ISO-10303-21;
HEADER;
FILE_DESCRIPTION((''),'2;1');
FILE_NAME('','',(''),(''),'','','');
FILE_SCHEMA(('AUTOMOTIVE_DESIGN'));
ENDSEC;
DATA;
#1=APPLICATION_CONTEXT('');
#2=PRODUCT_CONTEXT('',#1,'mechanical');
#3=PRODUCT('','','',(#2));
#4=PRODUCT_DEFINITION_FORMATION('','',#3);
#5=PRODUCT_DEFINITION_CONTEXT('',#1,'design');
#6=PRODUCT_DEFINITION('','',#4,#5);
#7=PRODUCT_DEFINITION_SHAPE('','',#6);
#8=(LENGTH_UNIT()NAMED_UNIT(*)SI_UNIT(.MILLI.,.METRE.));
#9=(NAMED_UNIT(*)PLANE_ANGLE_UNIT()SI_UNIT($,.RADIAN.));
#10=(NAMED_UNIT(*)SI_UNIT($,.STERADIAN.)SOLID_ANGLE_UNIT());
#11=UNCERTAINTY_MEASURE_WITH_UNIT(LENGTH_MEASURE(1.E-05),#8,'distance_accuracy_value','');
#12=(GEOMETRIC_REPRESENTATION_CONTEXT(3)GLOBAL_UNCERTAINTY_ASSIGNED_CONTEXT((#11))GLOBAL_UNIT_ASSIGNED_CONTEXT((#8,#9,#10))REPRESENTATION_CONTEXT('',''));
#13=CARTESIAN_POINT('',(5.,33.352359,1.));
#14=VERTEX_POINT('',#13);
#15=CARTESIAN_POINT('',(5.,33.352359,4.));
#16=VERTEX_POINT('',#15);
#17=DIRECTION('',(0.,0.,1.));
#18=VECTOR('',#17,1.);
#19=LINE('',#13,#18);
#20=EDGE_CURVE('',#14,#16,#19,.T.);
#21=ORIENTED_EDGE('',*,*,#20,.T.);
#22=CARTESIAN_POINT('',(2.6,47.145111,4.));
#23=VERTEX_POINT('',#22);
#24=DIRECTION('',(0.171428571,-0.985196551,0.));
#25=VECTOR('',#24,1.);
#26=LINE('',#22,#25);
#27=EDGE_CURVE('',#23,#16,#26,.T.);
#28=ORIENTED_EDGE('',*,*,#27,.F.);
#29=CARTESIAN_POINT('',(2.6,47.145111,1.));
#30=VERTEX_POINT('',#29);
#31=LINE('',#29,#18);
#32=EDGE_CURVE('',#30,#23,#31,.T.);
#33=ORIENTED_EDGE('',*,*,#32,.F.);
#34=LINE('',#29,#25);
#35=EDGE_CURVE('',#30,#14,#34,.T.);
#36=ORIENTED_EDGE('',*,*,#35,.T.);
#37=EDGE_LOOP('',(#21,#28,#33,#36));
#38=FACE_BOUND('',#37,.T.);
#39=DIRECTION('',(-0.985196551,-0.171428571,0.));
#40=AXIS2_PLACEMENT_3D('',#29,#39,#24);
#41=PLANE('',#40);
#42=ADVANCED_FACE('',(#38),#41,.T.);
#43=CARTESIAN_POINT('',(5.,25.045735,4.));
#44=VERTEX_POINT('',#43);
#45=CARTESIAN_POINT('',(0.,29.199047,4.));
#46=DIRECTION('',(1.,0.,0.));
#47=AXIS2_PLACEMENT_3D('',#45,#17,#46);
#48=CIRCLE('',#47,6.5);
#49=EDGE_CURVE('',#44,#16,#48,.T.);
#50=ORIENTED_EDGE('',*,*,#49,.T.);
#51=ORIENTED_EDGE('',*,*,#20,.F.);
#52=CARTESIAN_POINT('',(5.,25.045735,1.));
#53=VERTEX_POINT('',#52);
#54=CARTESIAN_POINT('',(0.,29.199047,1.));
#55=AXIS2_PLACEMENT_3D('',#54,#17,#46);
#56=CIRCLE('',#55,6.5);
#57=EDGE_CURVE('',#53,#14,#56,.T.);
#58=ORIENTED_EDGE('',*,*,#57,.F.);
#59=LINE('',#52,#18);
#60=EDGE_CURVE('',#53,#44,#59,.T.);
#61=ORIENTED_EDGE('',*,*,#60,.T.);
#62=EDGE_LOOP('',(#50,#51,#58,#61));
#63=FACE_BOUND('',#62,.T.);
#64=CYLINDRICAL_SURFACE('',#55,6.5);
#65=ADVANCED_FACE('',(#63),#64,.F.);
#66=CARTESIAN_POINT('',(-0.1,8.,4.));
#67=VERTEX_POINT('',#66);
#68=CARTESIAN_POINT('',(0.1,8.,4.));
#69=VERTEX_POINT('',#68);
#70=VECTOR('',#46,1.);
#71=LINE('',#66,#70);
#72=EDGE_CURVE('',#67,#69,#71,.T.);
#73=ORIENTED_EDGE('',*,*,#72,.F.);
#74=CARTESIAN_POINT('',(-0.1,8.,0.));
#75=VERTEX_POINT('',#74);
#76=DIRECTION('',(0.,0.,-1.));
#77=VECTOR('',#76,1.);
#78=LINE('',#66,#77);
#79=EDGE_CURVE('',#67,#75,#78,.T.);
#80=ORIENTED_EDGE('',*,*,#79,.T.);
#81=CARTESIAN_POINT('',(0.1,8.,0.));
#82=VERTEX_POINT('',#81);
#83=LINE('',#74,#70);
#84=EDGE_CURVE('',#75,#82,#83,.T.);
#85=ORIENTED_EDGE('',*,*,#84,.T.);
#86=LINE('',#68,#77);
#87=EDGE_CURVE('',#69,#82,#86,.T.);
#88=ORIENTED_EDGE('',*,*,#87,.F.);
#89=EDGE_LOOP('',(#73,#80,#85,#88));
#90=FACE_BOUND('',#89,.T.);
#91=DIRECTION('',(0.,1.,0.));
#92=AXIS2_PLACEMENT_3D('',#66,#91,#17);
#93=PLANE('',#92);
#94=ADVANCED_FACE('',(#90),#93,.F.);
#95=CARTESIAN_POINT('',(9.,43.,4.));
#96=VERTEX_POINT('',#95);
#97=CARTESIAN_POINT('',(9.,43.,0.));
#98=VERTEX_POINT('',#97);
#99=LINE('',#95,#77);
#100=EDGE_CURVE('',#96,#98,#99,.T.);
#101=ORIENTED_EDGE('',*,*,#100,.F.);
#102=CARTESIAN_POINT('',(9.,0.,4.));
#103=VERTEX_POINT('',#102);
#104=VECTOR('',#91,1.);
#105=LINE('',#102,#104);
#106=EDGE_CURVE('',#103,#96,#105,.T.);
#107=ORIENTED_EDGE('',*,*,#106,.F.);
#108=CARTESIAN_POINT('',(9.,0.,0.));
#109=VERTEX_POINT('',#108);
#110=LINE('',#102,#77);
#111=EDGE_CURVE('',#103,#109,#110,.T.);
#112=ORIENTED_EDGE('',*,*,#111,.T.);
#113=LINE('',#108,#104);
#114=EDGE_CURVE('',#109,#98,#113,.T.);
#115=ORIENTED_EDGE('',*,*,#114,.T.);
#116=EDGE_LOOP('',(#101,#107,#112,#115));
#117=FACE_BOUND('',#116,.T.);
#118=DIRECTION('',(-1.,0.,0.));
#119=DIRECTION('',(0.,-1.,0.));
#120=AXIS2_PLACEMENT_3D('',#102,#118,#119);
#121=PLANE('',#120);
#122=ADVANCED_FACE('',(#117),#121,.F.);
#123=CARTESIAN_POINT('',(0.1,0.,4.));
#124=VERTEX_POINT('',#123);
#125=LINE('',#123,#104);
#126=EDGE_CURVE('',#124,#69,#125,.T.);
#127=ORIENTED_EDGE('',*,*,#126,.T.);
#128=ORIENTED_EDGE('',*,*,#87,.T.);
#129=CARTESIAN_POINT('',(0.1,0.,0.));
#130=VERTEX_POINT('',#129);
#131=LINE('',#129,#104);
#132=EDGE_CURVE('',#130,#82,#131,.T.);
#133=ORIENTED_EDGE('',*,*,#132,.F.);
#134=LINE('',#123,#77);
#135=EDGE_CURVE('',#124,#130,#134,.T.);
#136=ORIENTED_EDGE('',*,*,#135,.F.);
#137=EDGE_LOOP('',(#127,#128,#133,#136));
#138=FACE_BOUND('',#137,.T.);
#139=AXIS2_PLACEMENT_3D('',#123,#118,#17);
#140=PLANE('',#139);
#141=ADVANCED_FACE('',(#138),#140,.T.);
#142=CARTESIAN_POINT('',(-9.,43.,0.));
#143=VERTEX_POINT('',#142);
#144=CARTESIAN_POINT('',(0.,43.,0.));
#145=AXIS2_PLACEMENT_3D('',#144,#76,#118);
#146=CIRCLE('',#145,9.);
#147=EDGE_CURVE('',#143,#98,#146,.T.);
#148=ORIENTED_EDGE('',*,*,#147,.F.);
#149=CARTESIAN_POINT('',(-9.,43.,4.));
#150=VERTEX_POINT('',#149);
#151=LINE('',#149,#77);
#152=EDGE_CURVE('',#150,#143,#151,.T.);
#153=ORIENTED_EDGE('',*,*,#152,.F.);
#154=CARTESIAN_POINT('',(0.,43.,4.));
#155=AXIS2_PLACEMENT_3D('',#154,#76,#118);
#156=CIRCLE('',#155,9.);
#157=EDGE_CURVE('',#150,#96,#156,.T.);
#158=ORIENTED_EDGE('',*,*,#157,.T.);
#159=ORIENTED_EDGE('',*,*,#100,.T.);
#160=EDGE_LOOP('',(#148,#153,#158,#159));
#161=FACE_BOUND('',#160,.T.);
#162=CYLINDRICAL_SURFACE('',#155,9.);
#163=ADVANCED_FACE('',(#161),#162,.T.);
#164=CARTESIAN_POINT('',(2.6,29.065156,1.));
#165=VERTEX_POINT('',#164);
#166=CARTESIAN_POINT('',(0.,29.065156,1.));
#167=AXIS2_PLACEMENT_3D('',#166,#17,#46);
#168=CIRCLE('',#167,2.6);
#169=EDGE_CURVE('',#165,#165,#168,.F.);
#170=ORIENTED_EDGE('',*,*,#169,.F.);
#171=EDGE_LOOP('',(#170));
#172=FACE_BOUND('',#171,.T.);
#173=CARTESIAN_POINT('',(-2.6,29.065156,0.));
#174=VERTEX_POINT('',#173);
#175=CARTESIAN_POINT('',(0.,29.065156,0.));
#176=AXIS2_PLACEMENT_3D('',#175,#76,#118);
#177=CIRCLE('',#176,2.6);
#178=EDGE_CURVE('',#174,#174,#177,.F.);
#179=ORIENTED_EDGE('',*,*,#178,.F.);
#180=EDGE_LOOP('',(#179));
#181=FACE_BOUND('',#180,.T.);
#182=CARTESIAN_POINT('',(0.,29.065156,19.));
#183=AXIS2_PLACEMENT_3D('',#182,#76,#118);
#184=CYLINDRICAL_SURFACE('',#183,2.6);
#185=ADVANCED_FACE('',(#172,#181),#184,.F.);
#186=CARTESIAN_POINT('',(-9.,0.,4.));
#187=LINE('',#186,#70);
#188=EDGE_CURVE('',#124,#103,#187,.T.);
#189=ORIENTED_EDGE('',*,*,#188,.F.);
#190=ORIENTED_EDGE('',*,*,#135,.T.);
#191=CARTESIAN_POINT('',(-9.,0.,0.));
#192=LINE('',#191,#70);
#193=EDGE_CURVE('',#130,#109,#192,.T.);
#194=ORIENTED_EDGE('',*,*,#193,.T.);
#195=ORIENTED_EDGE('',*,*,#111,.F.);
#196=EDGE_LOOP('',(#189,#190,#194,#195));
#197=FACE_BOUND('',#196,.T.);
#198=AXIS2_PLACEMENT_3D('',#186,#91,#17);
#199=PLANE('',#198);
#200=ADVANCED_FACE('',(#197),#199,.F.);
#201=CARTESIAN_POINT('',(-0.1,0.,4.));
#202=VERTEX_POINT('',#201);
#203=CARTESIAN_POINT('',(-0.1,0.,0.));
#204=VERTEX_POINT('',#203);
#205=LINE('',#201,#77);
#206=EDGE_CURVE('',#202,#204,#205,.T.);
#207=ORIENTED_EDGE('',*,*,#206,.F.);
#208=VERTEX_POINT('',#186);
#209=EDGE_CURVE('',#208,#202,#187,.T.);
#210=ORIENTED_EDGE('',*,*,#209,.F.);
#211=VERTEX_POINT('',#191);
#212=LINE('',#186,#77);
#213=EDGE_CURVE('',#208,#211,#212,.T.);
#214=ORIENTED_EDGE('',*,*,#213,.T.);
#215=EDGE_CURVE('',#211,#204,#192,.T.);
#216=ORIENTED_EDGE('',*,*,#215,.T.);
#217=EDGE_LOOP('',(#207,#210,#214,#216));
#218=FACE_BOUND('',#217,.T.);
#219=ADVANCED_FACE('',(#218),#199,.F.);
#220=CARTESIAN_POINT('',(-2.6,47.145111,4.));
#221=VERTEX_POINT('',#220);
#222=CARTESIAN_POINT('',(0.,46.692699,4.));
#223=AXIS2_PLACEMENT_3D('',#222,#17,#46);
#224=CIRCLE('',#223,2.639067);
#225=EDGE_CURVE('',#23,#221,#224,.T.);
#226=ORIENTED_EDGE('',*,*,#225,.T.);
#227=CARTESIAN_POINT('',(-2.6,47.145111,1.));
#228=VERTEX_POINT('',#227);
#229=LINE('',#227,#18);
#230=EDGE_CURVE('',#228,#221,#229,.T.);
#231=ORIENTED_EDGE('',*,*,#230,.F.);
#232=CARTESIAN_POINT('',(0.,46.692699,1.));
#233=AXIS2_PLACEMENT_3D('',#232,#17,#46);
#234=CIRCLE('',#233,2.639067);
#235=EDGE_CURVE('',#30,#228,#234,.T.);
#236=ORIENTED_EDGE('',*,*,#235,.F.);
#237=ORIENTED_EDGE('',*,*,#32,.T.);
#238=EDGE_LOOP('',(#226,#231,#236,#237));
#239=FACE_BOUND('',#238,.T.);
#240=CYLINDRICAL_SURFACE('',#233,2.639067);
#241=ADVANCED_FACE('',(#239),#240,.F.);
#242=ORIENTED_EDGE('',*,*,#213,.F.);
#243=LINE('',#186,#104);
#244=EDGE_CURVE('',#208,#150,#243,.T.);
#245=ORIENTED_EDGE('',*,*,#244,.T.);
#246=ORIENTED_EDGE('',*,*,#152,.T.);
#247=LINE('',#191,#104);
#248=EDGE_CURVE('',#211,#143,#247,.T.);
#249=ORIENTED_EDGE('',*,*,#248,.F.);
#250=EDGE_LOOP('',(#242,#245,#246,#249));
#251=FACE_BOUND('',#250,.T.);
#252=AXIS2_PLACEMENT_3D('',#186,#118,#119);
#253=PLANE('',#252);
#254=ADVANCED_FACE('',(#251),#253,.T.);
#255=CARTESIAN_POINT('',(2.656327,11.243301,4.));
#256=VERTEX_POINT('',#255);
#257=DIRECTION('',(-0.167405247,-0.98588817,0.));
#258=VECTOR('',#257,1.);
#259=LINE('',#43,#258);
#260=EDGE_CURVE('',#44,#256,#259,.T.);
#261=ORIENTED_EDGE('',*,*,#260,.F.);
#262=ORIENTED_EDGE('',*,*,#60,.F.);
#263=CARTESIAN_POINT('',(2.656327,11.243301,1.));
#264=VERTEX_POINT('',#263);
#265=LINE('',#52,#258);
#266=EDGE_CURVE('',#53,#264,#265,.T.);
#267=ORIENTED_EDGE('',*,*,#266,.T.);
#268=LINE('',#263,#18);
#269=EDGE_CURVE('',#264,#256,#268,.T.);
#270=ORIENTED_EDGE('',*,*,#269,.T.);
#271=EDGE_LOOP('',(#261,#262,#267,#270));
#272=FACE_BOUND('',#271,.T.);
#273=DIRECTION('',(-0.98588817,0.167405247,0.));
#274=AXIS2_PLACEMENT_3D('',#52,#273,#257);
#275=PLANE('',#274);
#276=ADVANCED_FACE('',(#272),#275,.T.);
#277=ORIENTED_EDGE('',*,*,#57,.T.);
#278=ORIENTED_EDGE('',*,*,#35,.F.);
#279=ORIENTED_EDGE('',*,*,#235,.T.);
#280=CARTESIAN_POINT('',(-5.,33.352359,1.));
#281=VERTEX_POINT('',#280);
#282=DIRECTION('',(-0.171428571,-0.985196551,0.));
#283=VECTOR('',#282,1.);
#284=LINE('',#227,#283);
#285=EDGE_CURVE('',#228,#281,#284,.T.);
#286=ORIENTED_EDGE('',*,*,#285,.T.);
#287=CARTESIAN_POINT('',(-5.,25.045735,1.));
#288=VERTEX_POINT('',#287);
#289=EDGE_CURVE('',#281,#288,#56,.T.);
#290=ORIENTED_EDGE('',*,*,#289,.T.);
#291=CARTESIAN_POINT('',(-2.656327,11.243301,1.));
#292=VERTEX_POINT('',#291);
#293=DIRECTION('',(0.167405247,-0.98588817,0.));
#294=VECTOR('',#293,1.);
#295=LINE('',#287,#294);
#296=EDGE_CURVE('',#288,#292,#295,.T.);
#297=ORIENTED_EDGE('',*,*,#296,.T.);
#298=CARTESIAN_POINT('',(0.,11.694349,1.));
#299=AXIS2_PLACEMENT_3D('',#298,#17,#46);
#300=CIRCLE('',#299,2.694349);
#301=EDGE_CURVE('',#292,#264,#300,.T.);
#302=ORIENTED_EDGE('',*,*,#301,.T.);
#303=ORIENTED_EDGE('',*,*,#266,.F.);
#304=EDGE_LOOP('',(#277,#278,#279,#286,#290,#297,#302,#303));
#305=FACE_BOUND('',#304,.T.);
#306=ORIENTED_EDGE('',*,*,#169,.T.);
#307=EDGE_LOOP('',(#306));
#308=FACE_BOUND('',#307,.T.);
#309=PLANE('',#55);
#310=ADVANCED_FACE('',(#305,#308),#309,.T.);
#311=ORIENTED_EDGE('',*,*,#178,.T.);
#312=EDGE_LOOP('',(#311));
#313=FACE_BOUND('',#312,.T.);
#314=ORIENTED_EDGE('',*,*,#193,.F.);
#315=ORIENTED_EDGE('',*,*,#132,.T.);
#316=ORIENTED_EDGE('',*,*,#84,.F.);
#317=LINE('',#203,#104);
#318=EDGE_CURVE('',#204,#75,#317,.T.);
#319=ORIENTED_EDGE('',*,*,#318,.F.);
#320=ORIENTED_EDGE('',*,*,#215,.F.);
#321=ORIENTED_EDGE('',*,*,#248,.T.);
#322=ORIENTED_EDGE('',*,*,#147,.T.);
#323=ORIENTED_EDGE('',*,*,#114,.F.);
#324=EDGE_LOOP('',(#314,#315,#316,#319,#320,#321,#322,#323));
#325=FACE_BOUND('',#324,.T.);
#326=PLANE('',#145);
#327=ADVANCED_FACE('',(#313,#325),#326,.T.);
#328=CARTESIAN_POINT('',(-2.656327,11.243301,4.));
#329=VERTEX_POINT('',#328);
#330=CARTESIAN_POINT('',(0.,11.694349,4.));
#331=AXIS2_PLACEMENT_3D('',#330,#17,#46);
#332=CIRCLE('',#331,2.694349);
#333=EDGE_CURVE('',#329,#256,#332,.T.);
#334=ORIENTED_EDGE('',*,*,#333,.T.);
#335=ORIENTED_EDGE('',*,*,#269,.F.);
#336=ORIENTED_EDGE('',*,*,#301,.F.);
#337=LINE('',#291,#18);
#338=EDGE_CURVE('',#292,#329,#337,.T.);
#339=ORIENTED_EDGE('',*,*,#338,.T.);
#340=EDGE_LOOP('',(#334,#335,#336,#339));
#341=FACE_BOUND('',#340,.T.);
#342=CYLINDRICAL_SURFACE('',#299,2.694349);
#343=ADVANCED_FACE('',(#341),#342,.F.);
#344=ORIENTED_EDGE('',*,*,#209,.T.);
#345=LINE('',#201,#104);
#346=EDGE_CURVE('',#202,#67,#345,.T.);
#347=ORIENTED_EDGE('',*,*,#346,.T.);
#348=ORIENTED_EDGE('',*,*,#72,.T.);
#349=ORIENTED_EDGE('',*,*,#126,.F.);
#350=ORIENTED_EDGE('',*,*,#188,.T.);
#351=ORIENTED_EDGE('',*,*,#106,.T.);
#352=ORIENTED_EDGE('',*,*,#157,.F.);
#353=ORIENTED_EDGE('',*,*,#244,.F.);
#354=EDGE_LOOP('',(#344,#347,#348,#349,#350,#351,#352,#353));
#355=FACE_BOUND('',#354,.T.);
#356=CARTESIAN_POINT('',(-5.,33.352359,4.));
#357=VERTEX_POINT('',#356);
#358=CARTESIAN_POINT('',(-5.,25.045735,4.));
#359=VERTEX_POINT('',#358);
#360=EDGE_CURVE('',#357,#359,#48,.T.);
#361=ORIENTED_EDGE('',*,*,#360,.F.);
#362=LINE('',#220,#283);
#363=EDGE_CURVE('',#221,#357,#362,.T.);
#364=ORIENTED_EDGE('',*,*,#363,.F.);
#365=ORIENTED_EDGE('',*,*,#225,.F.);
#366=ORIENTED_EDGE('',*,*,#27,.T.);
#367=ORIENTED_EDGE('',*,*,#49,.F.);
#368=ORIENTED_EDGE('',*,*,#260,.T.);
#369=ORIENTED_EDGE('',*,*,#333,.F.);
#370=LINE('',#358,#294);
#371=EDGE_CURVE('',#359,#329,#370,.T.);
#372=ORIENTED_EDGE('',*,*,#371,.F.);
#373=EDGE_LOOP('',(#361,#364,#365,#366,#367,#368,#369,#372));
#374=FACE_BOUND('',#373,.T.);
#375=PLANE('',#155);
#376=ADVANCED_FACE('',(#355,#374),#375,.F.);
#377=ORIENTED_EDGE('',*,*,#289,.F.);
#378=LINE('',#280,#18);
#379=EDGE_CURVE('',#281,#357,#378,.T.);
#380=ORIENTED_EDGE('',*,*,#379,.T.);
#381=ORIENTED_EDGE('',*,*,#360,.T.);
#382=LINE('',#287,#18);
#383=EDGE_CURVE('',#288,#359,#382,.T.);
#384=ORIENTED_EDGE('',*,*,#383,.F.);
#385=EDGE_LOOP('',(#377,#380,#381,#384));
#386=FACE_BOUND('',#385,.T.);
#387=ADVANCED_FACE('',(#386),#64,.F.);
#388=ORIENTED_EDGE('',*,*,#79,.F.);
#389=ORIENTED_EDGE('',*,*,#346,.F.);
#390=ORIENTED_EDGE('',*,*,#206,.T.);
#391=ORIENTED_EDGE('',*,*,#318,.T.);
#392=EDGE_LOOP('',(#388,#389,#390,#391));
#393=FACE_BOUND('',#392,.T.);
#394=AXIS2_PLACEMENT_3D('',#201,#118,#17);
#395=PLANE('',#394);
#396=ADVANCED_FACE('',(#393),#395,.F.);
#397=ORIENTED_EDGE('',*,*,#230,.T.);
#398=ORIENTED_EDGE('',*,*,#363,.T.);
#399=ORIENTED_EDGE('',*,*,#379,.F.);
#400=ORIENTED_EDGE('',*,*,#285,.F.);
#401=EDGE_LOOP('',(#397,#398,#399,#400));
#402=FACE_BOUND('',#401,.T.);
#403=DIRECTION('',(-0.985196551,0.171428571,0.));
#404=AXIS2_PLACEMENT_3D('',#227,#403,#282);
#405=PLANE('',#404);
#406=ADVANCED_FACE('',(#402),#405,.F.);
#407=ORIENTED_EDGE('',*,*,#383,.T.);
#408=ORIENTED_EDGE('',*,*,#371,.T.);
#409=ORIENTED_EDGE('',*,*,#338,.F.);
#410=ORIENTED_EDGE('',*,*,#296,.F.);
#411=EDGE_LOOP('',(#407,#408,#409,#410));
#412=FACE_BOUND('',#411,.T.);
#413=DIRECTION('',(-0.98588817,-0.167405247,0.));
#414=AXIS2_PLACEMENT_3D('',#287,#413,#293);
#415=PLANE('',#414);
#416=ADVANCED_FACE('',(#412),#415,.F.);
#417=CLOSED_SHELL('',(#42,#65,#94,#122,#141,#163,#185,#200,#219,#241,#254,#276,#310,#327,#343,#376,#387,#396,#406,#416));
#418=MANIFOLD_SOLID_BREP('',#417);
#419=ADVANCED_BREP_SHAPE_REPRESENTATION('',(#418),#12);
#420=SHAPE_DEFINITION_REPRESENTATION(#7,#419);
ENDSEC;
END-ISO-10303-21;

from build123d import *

# Parameters (mm, degrees)
EXTRUDE_1_DEPTH          = 4
CUT_EXTRUDE_1_DEPTH      = 3
SKETCH_4_R               = 2.6
CUT_EXTRUDE_9_DEPTH      = 19
CUT_EXTRUDE_9_DEPTH_BACK = 2
SKETCH_5_W               = 0.2
SKETCH_5_H               = 8
CUT_EXTRUDE_11_DEPTH     = 5


with BuildPart() as part:
    # 草圖1 → 填料-伸長1 (new body)
    with BuildSketch(Plane.XY):
        with BuildLine():
            Line((-9, 0), (-9, 43))
            ThreePointArc((-9, 43), (0, 52), (9, 43))
            Line((9, 43), (9, 0))
            Line((9, 0), (-9, 0))
        make_face()
    extrude(amount=EXTRUDE_1_DEPTH)

    # 草圖2 → 除料-伸長1 (cut)
    with BuildSketch(Plane.XY.offset(4)):
        with BuildLine():
            Line((-2.6, 47.145110573), (-5, 33.352358854))
            ThreePointArc((-5, 33.352358854), (-6.5, 29.199046922), (-5, 25.045734991))
            Line((-5, 25.045734991), (-2.656326538, 11.243300615))
            ThreePointArc((-2.656326538, 11.243300615), (0, 9), (2.656326538, 11.243300615))
            Line((2.656326538, 11.243300615), (5, 25.045734991))
            ThreePointArc((5, 25.045734991), (6.5, 29.199046922), (5, 33.352358854))
            Line((5, 33.352358854), (2.6, 47.145110573))
            ThreePointArc((2.6, 47.145110573), (0, 49.331766334), (-2.6, 47.145110573))
        make_face()
    extrude(amount=-CUT_EXTRUDE_1_DEPTH, mode=Mode.SUBTRACT)

    # 草圖4 → 除料-伸長9 (cut, two sides)
    with BuildSketch(Plane.XY) as cut_extrude_9_sk:
        with Locations((0, 29.065156497)):
            Circle(SKETCH_4_R)
    extrude(amount=CUT_EXTRUDE_9_DEPTH, mode=Mode.SUBTRACT)
    extrude(cut_extrude_9_sk.sketch, amount=-CUT_EXTRUDE_9_DEPTH_BACK, mode=Mode.SUBTRACT)

    # 草圖5 → 除料-伸長11 (cut, through all)
    with BuildSketch(Plane.XY):
        with Locations((0, 4)):
            Rectangle(SKETCH_5_W, SKETCH_5_H)
    extrude(amount=CUT_EXTRUDE_11_DEPTH, mode=Mode.SUBTRACT)


solid = part.part
